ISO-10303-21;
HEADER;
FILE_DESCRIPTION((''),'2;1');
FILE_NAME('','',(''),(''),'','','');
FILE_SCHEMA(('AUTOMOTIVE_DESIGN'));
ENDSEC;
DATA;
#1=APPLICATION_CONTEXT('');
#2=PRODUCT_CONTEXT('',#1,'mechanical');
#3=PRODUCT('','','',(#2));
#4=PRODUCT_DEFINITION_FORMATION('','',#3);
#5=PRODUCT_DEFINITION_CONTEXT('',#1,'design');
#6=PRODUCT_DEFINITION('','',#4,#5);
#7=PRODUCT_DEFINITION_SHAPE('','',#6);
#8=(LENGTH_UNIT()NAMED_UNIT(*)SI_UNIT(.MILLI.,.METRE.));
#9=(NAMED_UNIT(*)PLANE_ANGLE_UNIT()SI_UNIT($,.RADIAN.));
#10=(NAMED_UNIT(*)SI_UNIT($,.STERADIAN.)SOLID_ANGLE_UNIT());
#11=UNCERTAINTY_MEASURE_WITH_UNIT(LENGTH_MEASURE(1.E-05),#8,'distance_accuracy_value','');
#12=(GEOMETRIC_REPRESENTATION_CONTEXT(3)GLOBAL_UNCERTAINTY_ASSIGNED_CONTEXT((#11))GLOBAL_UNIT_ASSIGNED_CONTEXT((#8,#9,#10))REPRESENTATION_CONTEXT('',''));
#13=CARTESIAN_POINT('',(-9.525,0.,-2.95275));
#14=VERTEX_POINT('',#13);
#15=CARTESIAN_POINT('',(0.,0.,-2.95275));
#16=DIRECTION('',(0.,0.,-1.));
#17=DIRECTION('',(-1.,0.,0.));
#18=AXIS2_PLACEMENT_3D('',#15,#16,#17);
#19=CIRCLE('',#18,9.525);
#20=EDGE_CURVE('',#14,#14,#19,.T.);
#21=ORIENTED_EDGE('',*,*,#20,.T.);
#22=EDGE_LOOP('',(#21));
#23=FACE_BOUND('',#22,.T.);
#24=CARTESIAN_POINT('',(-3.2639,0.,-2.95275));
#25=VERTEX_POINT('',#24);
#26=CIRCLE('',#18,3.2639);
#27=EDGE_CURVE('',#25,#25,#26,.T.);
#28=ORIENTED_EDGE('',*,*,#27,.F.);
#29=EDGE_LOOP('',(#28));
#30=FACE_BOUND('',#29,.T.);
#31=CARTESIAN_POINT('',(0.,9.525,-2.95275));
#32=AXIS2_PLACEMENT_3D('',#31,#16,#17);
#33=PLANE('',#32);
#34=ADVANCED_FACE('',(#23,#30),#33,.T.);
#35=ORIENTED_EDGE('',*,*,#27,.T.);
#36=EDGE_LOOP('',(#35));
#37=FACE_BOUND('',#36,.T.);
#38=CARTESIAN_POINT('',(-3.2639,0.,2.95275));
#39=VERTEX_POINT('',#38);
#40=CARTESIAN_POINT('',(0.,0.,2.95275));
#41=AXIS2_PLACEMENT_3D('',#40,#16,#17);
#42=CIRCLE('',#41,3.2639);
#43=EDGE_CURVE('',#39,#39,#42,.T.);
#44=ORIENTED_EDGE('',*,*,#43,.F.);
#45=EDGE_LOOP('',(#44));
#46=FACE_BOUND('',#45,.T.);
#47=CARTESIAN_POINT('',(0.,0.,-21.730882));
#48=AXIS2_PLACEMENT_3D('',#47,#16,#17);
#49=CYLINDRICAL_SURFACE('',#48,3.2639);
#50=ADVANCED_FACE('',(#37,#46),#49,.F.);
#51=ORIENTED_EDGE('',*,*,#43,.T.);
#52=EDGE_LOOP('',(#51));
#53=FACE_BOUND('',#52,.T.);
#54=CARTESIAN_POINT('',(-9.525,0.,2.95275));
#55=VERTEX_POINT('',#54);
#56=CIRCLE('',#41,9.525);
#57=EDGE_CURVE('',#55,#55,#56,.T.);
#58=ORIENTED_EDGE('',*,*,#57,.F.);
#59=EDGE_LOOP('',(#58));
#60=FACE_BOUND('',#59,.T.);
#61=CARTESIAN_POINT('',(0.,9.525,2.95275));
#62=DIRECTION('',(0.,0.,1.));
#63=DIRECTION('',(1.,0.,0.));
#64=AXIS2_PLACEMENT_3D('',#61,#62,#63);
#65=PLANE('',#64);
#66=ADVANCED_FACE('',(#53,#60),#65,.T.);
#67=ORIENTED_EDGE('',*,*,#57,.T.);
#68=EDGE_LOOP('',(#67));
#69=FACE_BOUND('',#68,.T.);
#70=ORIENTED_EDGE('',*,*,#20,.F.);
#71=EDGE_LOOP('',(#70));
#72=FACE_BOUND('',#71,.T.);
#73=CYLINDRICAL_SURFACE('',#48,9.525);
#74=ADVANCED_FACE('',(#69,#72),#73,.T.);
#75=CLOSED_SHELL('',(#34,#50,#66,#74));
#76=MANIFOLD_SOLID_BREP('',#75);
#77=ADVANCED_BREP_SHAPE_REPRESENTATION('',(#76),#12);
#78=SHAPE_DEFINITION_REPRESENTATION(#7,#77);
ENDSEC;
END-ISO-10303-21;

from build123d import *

# Parameters (mm, degrees)
SKETCH1_W = 5.9055
SKETCH1_H = 6.2611


with BuildPart() as part:
    # Sketch1 → Revolve1 (revolve)
    with BuildSketch(Plane(origin=(0, 0, 0), x_dir=(0, 0, -1), z_dir=(1, 0, 0)), mode=Mode.PRIVATE) as revolve1_sk:
        with Locations((0, 6.39445)):
            Rectangle(SKETCH1_W, SKETCH1_H)
    revolve(revolve1_sk.sketch.rotate(Axis((0, 0, -21.730881676), (0, 0, 1)), 90), axis=Axis((0, 0, -21.730881676), (0, 0, 1)))


solid = part.part
